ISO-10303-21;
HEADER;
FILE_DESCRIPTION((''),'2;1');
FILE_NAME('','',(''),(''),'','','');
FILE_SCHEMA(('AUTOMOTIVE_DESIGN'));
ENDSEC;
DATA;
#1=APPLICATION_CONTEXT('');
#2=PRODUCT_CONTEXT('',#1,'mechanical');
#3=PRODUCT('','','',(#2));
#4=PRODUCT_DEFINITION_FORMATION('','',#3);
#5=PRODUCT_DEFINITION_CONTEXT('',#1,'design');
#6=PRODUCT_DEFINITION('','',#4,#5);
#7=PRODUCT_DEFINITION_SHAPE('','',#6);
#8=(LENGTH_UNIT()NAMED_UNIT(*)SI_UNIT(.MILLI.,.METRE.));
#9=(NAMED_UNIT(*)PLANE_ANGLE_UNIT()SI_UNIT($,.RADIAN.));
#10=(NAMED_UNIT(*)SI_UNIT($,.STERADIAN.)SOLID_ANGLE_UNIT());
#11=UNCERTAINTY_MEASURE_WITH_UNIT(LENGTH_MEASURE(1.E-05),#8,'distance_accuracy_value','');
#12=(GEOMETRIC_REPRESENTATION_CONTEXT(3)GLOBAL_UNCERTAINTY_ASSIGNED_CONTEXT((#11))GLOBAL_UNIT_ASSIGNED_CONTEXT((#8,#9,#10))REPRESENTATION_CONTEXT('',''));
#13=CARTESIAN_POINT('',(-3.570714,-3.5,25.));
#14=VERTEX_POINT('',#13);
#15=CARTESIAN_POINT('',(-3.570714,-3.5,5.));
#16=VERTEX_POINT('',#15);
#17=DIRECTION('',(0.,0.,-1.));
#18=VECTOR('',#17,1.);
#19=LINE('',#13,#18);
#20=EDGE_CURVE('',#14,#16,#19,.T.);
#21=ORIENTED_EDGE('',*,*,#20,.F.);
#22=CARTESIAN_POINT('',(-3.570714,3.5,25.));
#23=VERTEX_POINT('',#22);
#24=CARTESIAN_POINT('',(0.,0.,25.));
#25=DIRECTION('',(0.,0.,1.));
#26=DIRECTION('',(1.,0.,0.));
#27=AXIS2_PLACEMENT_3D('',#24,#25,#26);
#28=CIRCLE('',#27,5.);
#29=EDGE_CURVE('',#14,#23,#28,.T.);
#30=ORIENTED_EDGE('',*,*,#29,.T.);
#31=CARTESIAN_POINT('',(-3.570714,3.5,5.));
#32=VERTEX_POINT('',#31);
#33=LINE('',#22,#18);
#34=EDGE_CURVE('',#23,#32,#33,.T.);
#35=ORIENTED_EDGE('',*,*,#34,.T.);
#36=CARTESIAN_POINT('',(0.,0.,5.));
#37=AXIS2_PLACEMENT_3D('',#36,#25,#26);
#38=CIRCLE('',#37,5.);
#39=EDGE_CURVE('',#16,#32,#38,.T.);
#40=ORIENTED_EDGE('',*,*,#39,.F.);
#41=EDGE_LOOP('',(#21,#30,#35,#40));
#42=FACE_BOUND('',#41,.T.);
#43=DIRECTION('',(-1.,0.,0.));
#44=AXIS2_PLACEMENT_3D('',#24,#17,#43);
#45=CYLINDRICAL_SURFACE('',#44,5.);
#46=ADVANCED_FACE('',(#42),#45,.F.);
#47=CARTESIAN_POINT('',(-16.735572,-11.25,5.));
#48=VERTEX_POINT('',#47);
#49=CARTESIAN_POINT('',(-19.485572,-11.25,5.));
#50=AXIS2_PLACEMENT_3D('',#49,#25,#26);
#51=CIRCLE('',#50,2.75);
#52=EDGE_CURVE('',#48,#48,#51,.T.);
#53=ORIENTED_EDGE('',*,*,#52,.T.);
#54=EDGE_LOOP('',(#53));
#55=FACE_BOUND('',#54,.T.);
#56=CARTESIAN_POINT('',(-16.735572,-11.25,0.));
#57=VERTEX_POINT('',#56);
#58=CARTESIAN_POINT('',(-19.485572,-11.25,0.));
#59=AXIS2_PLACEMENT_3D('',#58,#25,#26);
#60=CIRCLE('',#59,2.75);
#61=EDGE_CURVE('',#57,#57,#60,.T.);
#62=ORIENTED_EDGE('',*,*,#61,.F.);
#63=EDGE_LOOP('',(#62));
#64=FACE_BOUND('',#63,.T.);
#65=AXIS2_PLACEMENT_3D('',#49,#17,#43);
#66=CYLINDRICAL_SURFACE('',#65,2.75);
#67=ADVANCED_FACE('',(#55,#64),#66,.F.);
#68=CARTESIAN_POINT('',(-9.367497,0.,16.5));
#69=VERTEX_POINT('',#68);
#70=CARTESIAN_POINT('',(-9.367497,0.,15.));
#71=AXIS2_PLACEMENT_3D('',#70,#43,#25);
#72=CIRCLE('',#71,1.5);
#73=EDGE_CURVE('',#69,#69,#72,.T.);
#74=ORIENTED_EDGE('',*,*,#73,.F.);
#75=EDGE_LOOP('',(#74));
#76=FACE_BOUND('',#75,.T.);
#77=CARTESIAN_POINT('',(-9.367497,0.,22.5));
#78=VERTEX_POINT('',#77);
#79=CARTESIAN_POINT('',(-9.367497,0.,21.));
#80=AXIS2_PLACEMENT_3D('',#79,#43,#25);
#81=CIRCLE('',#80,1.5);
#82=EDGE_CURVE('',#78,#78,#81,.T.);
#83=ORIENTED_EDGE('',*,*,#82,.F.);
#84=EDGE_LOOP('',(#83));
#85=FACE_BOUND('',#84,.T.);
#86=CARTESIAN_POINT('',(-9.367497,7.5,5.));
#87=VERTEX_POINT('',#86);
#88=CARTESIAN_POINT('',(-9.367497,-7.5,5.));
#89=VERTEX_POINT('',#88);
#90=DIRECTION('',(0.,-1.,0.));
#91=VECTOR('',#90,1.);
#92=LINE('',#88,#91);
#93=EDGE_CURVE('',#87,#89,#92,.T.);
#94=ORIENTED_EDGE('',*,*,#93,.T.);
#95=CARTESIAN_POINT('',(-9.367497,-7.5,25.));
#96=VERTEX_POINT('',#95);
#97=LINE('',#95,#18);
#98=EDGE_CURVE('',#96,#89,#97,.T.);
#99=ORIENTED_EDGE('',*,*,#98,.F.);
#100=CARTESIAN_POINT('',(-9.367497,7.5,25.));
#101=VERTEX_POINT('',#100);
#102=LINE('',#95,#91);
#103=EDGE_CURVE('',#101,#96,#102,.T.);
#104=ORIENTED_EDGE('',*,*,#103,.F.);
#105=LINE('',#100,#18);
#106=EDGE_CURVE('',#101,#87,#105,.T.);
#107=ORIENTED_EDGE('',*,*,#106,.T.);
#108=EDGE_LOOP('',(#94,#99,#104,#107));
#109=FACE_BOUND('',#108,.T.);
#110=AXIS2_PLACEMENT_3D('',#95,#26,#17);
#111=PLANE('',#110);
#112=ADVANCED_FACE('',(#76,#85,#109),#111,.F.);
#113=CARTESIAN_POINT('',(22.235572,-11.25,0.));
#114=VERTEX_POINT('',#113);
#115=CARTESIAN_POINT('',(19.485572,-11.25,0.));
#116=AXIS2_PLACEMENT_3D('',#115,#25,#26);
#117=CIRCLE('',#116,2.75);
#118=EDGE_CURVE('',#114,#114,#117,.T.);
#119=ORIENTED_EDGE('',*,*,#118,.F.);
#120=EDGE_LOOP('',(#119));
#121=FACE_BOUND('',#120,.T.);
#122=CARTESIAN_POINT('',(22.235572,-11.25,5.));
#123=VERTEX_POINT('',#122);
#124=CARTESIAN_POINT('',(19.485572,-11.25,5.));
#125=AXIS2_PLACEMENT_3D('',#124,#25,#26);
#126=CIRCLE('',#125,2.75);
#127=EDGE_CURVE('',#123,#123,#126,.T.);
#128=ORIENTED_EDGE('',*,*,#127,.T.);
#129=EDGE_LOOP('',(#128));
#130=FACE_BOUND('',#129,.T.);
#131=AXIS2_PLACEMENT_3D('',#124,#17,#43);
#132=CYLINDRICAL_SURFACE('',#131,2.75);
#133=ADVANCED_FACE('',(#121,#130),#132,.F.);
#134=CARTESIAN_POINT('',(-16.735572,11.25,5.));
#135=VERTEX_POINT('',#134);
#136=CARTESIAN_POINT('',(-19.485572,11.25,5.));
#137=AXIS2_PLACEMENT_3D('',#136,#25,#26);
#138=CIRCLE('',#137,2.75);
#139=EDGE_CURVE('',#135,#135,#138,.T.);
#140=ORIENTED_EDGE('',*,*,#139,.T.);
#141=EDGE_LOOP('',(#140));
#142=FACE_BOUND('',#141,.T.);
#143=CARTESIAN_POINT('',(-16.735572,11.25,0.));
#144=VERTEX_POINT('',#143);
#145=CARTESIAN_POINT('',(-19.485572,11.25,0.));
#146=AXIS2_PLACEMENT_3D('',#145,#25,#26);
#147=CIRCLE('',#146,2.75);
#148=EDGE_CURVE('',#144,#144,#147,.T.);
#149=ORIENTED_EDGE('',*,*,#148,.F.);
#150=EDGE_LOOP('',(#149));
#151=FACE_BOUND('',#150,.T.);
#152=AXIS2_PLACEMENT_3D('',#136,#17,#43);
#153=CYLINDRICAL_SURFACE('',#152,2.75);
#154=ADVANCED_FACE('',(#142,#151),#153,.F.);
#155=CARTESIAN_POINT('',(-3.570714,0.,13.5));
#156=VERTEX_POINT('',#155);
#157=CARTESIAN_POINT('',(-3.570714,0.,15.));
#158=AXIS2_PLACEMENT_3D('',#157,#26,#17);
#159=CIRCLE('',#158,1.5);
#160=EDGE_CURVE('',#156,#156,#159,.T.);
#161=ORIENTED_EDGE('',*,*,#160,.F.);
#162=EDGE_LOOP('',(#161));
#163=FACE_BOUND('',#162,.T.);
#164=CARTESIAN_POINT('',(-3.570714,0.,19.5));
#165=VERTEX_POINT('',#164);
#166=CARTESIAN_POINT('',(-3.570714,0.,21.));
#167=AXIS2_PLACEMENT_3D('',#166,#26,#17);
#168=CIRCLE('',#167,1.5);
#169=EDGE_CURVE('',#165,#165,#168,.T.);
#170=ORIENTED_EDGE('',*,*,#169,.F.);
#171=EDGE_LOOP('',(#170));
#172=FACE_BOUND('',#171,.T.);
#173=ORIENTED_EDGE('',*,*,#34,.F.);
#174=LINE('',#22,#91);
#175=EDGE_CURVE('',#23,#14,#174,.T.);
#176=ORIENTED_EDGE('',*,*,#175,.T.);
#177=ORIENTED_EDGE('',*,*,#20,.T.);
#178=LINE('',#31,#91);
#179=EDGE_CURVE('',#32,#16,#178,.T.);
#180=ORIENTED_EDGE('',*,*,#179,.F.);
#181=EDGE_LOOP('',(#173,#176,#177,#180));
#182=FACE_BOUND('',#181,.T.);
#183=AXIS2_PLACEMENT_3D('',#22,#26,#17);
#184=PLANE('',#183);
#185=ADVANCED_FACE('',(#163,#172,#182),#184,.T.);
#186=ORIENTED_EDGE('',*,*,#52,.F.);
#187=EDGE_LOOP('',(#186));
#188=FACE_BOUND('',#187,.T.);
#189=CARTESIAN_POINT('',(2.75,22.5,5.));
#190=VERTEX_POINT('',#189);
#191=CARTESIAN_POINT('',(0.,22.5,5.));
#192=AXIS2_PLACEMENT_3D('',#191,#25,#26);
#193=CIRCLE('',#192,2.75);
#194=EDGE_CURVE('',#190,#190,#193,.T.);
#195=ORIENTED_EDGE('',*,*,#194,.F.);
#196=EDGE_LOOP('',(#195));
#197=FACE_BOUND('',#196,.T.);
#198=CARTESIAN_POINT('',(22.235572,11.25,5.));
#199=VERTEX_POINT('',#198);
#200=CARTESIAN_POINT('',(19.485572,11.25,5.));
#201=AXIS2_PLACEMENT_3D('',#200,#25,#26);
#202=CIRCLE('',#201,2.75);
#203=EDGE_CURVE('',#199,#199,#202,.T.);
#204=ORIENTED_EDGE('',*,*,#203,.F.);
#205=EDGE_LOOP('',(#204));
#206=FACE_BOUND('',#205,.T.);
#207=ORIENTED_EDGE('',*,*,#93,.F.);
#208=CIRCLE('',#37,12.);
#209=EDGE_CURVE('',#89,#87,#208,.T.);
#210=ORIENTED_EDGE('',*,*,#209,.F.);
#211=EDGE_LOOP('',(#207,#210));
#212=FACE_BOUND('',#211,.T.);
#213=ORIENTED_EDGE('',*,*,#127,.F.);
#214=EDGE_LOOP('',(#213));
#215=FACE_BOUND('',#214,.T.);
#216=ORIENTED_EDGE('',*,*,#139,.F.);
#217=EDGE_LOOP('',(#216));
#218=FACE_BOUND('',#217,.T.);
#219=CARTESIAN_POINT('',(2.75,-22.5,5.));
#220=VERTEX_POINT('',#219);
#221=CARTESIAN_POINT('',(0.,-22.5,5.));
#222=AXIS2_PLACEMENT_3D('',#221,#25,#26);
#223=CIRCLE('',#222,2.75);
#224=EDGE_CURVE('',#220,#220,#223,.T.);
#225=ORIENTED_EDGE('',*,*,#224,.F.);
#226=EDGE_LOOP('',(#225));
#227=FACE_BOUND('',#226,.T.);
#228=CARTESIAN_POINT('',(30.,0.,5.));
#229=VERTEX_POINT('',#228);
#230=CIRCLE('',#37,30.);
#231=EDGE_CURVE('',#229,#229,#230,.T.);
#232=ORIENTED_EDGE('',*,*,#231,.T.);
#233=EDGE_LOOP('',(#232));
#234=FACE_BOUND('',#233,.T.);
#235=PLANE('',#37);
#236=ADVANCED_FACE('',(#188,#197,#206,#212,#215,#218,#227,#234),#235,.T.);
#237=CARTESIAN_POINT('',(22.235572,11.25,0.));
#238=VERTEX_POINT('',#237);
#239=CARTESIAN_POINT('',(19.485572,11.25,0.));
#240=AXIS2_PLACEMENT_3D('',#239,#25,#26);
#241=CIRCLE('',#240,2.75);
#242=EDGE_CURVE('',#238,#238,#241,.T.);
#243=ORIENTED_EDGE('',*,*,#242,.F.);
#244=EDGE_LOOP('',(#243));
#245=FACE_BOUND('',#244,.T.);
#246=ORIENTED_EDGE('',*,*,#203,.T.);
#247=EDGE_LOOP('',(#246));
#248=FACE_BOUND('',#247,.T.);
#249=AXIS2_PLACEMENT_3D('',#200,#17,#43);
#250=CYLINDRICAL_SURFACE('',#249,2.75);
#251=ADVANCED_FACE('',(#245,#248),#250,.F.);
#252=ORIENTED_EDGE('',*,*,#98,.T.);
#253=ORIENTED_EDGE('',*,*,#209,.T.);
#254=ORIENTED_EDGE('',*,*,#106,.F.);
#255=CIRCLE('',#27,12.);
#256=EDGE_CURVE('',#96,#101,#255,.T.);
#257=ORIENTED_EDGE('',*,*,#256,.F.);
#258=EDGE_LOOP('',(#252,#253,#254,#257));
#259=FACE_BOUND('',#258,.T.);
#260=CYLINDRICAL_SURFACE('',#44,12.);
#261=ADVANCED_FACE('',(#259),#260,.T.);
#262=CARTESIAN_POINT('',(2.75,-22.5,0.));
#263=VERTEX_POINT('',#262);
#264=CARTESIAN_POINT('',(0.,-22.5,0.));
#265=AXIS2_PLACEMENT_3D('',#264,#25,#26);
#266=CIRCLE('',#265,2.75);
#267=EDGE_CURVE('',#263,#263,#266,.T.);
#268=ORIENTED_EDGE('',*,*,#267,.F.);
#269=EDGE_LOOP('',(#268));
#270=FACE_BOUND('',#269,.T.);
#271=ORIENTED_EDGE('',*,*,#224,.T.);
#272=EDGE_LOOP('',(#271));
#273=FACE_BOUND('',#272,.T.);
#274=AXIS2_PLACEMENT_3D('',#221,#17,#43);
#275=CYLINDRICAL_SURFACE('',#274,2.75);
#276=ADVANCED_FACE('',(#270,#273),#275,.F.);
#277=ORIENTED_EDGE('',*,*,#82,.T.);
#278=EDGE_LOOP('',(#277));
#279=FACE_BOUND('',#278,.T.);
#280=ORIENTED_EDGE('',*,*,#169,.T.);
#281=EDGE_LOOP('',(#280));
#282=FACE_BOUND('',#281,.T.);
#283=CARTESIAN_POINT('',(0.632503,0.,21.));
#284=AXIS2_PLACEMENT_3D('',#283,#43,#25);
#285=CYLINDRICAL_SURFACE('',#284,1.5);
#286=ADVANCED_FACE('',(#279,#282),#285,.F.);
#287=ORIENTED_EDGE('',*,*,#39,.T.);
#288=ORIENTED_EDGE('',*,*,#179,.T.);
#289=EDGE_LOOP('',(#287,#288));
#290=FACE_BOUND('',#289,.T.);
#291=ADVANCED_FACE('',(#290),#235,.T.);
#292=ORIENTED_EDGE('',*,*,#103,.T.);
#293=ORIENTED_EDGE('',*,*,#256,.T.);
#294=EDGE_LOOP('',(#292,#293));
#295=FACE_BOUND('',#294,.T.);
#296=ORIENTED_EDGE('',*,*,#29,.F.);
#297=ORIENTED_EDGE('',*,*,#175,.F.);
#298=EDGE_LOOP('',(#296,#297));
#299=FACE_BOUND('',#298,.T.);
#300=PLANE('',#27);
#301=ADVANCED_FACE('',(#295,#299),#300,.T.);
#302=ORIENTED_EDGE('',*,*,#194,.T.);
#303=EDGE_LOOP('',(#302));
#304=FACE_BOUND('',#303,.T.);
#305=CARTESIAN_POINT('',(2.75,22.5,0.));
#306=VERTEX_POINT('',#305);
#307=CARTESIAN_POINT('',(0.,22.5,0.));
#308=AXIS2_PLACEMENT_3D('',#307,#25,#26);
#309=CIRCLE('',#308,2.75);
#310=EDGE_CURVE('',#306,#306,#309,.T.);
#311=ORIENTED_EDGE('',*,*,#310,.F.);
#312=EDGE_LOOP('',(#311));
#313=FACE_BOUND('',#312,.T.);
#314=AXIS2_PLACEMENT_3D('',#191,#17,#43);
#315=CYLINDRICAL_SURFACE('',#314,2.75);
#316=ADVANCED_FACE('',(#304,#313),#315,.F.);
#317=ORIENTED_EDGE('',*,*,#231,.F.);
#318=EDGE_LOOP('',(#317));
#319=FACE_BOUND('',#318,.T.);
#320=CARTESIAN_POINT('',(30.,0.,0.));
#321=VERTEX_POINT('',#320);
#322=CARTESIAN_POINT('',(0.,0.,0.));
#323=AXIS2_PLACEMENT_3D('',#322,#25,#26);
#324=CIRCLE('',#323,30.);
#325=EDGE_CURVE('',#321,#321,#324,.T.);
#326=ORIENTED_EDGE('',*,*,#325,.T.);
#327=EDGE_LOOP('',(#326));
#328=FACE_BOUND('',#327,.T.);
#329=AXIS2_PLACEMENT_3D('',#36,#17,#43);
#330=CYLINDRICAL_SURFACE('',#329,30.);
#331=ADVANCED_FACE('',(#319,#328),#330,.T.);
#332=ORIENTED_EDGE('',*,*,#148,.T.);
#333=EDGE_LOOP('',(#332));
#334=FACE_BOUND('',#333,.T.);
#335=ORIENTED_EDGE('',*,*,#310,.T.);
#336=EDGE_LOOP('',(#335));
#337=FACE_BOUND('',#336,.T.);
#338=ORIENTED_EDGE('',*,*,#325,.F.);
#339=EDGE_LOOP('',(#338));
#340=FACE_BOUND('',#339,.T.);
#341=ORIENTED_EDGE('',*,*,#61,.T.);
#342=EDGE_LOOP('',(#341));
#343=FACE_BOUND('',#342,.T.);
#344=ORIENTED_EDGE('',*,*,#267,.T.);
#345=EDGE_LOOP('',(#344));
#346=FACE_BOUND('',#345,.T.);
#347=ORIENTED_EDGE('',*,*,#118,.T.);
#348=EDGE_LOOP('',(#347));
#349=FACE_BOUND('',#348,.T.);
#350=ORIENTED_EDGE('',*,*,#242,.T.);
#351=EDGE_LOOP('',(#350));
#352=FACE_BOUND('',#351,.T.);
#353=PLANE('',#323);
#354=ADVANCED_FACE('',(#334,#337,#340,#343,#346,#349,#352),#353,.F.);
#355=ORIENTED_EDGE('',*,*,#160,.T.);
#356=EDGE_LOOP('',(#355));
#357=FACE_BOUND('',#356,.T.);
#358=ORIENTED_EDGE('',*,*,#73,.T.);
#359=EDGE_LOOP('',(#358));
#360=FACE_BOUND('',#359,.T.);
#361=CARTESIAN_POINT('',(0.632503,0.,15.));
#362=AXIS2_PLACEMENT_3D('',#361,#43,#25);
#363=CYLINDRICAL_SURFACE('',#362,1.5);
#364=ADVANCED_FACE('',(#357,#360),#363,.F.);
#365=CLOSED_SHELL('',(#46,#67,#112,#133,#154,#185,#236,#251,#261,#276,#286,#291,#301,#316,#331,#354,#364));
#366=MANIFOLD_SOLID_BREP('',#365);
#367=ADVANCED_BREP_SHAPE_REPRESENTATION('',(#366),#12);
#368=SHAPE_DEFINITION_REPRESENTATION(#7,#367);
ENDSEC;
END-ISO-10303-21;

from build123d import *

# Parameters (mm, degrees)
SKETCH_1_R          = 30
SKETCH_1_R_2        = 2.75
EXTRUDE_1_DEPTH     = 5
EXTRUDE_2_DEPTH     = 20
SKETCH_3_R          = 1.5
CUT_EXTRUDE_1_DEPTH = 10


with BuildPart() as part:
    # 草图1 → 凸台-拉伸1 (new body)
    with BuildSketch(Plane.XY):
        Circle(SKETCH_1_R)
        with Locations((0, 22.5)):
            Circle(SKETCH_1_R_2, mode=Mode.SUBTRACT)
        with Locations((19.485571585, 11.25)):
            Circle(SKETCH_1_R_2, mode=Mode.SUBTRACT)
        with Locations((19.485571585, -11.25)):
            Circle(SKETCH_1_R_2, mode=Mode.SUBTRACT)
        with Locations((0, -22.5)):
            Circle(SKETCH_1_R_2, mode=Mode.SUBTRACT)
        with Locations((-19.485571585, -11.25)):
            Circle(SKETCH_1_R_2, mode=Mode.SUBTRACT)
        with Locations((-19.485571585, 11.25)):
            Circle(SKETCH_1_R_2, mode=Mode.SUBTRACT)
    extrude(amount=EXTRUDE_1_DEPTH)

    # 草图2 → 凸台-拉伸2 (add)
    with BuildSketch(Plane.XY.offset(5)):
        with BuildLine():
            Line((-9.367496998, -7.5), (-9.367496998, 7.5))
            ThreePointArc((-9.367496998, 7.5), (12, 0), (-9.367496998, -7.5))
        make_face()
        with BuildLine():
            Line((-3.570714214, 3.5), (-3.570714214, -3.5))
            ThreePointArc((-3.570714214, -3.5), (5, 0), (-3.570714214, 3.5))
        make_face(mode=Mode.SUBTRACT)
    extrude(amount=EXTRUDE_2_DEPTH)

    # 草图3 → 切除-拉伸1 (cut)
    with BuildSketch(Plane.ZY.offset(9.367496998)):
        with Locations((21, 0)):
            Circle(SKETCH_3_R)
        with Locations((15, 0)):
            Circle(SKETCH_3_R)
    extrude(amount=-CUT_EXTRUDE_1_DEPTH, mode=Mode.SUBTRACT)


solid = part.part
